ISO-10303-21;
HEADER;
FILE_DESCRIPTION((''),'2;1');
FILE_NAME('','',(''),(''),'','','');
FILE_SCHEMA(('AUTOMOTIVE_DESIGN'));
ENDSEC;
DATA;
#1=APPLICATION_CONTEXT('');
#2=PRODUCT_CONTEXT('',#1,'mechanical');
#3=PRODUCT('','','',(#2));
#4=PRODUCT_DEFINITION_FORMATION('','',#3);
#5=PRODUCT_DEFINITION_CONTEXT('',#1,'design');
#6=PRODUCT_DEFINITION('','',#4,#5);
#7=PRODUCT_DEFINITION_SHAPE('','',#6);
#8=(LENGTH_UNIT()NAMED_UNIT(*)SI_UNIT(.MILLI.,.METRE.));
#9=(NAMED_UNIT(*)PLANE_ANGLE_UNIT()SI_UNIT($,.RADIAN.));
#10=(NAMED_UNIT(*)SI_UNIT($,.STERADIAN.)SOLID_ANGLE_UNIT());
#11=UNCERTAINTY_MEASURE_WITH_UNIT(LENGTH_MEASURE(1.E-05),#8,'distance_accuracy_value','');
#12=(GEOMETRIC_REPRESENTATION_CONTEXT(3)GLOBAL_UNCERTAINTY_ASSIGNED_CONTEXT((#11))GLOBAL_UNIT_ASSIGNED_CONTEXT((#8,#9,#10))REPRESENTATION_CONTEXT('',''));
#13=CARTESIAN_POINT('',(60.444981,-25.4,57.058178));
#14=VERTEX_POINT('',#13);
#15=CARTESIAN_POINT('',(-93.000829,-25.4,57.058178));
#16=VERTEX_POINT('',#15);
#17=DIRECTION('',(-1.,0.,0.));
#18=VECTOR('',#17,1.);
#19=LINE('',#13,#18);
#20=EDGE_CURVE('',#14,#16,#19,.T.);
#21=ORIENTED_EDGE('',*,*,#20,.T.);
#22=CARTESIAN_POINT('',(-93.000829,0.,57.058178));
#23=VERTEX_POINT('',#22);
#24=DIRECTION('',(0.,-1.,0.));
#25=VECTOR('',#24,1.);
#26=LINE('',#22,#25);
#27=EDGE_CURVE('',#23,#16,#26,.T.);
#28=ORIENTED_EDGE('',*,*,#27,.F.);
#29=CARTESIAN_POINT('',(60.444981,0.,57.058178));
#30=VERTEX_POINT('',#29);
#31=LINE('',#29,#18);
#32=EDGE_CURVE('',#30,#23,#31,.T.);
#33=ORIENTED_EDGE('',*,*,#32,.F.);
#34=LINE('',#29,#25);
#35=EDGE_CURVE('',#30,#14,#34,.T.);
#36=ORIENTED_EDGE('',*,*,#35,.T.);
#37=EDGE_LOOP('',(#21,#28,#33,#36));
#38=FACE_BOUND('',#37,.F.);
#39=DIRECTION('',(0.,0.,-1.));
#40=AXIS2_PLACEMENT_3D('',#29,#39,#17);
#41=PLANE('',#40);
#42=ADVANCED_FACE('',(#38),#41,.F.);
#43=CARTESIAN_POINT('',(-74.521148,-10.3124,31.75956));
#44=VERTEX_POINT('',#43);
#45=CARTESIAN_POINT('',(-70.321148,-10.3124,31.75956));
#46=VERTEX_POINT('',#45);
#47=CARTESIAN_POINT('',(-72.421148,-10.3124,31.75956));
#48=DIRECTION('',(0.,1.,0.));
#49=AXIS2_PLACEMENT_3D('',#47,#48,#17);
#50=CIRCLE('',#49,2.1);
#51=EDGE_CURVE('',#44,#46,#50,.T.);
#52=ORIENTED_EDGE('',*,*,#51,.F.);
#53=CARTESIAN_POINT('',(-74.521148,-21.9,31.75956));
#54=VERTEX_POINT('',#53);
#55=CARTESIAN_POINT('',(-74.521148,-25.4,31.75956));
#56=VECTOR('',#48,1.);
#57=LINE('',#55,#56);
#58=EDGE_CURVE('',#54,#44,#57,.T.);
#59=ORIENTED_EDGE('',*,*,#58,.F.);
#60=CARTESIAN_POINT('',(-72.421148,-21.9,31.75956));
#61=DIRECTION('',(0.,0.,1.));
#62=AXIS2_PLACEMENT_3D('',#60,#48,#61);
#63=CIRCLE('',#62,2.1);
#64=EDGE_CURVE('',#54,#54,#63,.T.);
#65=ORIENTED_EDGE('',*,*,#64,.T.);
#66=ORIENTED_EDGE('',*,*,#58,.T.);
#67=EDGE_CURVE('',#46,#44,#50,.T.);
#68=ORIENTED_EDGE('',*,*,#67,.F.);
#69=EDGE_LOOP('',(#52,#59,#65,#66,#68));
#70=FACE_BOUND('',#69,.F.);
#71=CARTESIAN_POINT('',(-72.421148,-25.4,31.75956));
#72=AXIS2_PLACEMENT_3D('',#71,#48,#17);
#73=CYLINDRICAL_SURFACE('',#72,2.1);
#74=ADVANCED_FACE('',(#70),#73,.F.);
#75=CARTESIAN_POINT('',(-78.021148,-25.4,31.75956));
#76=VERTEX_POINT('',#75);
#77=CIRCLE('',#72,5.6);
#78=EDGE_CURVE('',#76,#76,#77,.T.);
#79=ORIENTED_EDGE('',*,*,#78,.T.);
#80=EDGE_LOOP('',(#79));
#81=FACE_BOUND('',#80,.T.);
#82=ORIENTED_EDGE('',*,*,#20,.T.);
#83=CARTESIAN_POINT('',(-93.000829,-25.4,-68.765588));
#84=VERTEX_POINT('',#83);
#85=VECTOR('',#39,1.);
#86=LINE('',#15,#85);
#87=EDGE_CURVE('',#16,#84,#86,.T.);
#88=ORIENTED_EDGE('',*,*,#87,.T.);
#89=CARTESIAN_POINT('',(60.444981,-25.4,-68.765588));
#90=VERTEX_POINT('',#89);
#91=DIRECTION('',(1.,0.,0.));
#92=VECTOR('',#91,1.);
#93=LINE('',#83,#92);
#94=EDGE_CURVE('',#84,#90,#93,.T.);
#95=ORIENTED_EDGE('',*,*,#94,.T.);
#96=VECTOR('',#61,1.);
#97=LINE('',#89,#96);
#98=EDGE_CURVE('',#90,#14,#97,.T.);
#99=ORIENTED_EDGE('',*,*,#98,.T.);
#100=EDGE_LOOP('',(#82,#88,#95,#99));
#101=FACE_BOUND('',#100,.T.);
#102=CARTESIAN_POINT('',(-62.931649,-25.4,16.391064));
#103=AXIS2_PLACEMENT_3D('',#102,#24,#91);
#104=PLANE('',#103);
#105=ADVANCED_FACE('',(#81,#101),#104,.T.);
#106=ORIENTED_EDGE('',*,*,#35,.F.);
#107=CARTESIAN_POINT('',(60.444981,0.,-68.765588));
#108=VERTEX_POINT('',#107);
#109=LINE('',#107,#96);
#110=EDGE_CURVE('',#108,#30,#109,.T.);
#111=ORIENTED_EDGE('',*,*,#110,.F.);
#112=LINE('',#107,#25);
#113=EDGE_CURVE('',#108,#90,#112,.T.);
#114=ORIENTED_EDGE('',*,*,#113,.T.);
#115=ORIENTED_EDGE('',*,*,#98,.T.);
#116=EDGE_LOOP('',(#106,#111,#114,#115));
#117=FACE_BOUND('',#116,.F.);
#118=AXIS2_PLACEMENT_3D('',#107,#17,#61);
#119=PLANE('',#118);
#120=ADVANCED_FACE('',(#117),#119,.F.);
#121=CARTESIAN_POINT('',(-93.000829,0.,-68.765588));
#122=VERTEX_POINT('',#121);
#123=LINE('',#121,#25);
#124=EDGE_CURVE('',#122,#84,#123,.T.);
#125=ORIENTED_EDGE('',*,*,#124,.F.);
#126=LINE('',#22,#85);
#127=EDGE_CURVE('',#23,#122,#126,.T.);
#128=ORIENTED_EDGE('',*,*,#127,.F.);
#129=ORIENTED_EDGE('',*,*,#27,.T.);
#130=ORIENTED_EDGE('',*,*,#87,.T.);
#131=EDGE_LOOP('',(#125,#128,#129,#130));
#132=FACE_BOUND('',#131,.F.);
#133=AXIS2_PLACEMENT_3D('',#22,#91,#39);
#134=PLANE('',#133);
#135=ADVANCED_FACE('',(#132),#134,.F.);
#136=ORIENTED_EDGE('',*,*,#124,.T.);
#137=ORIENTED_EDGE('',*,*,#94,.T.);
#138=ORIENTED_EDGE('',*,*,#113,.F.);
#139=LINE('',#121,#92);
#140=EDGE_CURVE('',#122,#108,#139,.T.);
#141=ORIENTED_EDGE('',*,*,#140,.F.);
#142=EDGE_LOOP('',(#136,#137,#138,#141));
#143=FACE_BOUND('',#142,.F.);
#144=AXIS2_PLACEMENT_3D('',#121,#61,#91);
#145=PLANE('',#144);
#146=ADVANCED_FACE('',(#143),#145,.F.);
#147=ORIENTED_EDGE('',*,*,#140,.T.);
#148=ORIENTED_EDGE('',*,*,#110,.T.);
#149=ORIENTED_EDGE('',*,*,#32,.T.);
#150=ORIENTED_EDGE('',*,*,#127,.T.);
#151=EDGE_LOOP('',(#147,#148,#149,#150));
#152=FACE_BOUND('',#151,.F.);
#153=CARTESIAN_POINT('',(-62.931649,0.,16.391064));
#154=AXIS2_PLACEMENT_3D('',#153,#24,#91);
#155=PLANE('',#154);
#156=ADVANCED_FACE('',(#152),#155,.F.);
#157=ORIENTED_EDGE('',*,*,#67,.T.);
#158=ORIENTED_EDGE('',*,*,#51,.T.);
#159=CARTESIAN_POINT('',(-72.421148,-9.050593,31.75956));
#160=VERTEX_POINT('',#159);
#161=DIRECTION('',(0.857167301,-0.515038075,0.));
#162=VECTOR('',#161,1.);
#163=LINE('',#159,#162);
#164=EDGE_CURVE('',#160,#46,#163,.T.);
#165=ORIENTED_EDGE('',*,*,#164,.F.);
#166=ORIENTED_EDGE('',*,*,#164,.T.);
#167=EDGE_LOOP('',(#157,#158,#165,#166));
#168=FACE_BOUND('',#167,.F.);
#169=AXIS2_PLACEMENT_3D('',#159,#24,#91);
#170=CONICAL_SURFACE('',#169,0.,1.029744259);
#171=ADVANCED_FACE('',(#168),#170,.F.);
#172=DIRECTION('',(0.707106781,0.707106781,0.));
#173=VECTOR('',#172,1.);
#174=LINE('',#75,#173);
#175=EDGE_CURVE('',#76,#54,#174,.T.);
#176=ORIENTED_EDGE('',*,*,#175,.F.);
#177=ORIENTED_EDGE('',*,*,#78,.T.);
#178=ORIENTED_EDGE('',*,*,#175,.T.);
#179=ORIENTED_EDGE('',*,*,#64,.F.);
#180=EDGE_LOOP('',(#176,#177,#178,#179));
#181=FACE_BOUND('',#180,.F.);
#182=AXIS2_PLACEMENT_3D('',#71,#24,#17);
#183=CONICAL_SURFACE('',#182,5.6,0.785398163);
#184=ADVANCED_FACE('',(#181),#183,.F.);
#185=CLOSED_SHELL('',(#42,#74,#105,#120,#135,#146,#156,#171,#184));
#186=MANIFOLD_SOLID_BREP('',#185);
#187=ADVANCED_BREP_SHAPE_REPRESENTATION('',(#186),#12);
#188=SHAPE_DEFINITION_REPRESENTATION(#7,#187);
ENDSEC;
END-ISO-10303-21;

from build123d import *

# Parameters (mm, degrees)
F0_W           = 60.1383596659
F0_H           = 68.6342282385
F0_H_2         = 6.35
F1_DEPTH       = 25.4
F3_D           = 4.2
F3_DEPTH       = 15.0876
F3_CSINK_D     = 11.2
F3_CSINK_ANGLE = 90
F3_TIP         = 1.2618073


with BuildPart() as f1:
    # F0 (on Front) → F1 (new body)
    with BuildSketch(Plane.XZ):
        with Locations((-62.9316493869, 16.3910637692)):
            Rectangle(F0_W, F0_H)
        Polygon((60.4449808598, -68.7655881047), (60.4449808598, 57.0581778884), (-32.8624695539, 57.0581778884), (-32.8624695539, 50.7081778884), (-32.8624695539, -17.9260503501), (-93.0008292198, -17.9260503501), (-93.0008292198, -68.7655881047), align=None)
        with Locations((-62.9316493869, 53.8831778884)):
            Rectangle(F0_W, F0_H_2)
    extrude(amount=F1_DEPTH)

    # F3
    with Locations(Plane.XZ.offset(25.4)):
        with Locations((-72.4211484194, 31.7595601082)):
            CounterSinkHole(F3_D / 2, F3_CSINK_D / 2, depth=F3_DEPTH, counter_sink_angle=F3_CSINK_ANGLE)
            with Locations((0, 0, -(F3_DEPTH + F3_TIP / 2))):  # 118° drill point
                Cone(0, F3_D / 2, F3_TIP, mode=Mode.SUBTRACT)


solid = f1.part
